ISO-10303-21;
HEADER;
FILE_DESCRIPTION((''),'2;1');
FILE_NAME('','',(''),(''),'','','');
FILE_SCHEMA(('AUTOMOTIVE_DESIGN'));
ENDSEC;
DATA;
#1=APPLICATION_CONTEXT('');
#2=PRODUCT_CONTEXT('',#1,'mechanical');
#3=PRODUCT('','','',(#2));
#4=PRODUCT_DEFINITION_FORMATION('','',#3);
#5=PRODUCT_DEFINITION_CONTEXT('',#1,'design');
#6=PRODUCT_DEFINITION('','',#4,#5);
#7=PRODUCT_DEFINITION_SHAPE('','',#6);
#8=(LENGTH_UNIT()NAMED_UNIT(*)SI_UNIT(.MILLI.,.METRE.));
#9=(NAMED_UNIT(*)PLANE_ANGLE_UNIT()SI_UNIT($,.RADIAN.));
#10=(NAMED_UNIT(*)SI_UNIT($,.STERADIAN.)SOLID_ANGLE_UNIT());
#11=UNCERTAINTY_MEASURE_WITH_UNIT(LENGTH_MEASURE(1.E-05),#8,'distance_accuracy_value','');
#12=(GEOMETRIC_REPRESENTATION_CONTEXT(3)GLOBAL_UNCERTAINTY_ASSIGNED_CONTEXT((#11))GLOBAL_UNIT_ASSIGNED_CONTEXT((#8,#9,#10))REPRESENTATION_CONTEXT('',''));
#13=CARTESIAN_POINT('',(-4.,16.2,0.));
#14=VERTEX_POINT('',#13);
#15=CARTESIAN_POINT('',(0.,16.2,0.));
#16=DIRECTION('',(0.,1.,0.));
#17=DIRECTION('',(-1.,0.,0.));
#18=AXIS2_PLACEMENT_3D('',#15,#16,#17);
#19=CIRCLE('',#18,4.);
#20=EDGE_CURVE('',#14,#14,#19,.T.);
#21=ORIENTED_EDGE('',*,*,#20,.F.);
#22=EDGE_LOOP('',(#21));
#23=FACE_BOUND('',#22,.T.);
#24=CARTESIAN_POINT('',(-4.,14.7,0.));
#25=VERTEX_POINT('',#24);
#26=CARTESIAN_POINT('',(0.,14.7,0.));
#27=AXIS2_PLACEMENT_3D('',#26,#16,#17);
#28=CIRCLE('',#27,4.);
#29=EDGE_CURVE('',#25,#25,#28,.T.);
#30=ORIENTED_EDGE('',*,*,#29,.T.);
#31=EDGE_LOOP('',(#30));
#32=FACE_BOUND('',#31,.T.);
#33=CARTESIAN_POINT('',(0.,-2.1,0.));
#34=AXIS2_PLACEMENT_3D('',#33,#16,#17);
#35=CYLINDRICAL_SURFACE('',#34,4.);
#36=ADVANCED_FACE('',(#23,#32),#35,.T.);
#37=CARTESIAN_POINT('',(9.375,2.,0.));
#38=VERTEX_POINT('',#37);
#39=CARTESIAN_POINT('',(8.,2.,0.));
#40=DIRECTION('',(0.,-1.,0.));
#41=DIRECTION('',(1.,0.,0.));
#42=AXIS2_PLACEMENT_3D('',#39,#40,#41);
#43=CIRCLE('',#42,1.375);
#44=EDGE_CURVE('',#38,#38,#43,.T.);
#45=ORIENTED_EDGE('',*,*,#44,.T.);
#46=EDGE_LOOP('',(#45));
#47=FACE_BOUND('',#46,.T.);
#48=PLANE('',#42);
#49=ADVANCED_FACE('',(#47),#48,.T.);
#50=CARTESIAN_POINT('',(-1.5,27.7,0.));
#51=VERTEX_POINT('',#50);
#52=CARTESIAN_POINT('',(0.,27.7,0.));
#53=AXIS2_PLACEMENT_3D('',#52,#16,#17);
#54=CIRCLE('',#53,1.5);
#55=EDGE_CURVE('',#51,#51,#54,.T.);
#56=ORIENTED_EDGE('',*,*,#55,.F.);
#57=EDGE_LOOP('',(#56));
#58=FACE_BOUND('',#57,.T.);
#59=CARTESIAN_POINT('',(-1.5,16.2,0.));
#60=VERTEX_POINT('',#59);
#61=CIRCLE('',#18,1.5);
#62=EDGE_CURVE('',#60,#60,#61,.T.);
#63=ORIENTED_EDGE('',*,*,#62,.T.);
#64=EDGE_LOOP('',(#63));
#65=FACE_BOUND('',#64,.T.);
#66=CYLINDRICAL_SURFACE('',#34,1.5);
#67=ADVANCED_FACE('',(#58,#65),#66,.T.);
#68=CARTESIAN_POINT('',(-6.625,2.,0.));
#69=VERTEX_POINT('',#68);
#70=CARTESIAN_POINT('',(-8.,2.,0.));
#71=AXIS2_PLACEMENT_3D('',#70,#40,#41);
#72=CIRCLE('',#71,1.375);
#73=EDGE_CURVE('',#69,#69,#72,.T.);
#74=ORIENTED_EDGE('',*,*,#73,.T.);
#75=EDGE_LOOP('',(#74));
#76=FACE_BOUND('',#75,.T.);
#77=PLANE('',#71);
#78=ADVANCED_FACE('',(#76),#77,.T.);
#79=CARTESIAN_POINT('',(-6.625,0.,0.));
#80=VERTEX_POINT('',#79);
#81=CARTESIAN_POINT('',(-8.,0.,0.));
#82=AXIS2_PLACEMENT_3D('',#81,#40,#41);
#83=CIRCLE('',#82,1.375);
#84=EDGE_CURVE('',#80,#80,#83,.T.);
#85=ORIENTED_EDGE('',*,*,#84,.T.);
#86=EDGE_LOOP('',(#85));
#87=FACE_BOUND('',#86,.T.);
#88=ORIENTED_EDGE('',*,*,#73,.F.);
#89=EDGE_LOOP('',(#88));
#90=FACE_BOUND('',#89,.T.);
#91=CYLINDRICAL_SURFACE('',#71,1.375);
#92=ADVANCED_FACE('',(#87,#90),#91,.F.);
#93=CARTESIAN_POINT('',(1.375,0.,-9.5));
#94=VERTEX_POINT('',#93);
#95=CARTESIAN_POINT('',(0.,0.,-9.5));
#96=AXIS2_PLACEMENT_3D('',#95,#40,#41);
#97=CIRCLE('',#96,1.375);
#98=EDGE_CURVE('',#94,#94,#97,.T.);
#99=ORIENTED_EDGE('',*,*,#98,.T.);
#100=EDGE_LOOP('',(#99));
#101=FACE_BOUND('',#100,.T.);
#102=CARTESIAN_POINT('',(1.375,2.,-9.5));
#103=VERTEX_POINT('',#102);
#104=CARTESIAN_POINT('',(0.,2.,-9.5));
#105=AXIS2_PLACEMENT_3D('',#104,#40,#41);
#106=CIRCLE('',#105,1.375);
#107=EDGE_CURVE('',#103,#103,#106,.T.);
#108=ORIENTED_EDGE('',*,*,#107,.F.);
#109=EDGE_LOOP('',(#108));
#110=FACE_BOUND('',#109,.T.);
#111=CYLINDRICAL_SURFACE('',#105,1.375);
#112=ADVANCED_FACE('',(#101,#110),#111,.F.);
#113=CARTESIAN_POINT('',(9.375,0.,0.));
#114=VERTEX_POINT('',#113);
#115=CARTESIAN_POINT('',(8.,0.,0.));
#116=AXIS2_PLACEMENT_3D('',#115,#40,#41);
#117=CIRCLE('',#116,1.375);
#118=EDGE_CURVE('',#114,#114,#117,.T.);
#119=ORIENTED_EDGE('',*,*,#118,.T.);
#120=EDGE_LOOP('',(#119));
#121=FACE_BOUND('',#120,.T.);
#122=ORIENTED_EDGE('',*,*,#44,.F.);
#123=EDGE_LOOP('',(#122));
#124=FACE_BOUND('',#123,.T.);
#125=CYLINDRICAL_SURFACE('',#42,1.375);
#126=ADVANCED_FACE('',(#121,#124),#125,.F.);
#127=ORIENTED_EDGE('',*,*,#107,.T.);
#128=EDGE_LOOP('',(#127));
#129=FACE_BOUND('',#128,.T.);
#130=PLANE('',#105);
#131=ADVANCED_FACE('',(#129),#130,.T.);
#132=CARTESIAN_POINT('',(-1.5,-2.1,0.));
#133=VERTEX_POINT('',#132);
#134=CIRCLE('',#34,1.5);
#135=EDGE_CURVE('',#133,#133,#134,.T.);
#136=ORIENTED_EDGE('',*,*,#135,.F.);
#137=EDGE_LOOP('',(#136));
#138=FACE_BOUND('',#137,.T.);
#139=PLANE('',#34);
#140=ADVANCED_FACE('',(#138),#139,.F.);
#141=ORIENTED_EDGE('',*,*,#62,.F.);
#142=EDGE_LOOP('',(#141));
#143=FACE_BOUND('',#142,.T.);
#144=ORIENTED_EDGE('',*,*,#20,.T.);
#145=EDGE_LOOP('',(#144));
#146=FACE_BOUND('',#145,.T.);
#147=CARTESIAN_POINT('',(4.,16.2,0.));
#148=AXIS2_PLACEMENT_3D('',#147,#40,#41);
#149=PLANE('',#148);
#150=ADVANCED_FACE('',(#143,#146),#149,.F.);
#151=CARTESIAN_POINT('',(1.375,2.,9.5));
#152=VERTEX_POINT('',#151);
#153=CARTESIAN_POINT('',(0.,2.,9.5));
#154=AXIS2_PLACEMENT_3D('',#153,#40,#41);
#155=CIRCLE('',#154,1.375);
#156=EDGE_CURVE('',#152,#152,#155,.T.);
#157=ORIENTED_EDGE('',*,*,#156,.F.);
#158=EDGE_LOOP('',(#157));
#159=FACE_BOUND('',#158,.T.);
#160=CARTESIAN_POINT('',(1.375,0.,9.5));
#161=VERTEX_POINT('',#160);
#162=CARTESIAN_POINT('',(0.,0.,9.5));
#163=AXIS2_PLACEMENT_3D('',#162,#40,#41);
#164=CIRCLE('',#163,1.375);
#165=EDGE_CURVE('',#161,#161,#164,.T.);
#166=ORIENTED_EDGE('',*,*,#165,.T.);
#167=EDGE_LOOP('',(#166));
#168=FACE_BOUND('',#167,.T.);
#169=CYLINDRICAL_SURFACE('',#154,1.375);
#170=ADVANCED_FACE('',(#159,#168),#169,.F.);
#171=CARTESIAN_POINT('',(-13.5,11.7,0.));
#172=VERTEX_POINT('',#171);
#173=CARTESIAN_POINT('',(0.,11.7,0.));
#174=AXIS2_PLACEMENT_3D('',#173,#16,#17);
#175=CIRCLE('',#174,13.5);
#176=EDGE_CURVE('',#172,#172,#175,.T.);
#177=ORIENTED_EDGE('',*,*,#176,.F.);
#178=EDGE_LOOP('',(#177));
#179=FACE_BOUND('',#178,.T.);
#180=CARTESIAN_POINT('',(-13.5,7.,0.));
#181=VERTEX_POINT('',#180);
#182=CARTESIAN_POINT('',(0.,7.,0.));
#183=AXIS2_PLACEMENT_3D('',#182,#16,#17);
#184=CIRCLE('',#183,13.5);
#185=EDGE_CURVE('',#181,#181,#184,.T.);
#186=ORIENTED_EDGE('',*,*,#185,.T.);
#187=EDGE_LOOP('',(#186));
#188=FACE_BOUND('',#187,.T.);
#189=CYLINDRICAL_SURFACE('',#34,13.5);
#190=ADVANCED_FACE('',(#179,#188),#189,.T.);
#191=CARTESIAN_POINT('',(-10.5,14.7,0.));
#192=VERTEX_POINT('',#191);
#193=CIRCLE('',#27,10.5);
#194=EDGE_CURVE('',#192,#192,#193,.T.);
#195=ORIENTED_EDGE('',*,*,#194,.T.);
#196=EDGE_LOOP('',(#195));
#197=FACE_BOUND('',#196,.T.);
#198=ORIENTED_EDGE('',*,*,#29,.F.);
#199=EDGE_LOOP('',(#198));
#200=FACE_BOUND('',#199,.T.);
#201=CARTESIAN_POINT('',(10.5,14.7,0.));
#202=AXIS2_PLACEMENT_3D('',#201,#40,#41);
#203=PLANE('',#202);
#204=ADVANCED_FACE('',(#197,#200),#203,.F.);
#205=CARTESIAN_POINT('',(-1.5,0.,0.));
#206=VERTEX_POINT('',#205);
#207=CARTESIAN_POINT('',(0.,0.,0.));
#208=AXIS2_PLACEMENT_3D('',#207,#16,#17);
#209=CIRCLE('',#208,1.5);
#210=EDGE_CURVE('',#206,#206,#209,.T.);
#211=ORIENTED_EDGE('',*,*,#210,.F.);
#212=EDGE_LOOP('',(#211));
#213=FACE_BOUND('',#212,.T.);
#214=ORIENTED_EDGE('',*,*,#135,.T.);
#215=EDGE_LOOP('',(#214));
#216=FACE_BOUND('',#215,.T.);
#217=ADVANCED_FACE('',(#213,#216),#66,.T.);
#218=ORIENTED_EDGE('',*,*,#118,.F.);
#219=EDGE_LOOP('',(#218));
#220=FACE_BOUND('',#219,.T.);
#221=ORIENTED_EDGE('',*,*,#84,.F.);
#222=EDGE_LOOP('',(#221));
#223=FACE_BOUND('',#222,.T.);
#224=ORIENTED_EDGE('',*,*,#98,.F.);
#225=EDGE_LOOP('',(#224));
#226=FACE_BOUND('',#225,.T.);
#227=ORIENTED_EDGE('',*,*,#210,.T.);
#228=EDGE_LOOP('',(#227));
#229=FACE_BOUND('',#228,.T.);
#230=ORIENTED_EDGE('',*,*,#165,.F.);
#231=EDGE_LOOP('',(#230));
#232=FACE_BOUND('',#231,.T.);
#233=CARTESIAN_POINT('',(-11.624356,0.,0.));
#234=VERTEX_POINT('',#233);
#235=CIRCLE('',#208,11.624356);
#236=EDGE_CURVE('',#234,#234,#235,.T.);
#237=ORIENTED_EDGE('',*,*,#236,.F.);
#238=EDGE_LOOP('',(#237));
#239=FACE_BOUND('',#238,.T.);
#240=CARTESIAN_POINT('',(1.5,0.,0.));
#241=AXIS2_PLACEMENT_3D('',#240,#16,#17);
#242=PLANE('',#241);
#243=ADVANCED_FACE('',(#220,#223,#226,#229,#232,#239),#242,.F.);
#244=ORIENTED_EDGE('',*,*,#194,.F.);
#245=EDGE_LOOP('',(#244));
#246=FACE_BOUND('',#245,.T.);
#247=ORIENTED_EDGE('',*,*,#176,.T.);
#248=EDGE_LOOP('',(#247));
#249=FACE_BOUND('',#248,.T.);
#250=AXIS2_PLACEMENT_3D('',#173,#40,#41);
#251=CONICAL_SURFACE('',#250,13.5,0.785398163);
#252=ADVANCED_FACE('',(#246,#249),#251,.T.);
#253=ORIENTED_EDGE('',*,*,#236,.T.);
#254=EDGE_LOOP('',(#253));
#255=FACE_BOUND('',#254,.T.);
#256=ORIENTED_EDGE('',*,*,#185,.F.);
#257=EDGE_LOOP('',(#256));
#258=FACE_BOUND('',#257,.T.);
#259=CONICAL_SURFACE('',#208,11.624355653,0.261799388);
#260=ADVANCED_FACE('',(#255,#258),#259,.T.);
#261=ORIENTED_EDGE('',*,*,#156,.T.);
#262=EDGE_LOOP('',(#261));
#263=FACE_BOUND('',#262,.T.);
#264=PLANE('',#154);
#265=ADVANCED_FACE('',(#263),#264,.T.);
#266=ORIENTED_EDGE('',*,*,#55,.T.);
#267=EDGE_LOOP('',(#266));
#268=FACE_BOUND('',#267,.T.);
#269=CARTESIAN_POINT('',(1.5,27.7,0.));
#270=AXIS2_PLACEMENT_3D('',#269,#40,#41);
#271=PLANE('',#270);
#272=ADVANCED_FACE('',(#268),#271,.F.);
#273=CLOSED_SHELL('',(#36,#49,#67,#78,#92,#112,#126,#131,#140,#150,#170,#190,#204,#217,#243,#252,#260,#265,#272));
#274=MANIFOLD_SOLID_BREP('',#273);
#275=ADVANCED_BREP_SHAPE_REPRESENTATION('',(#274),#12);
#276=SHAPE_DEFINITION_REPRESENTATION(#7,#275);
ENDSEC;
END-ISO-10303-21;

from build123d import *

# Parameters (mm, degrees)
SKETCH3_R          = 1.375
CUT_EXTRUDE1_DEPTH = 2


with BuildPart() as part:
    # Sketch2 → Revolve1 (revolve)
    with BuildSketch(Plane.XY, mode=Mode.PRIVATE) as revolve1_sk:
        Polygon((1.5, 0), (11.624355653, 0), (13.5, 7), (13.5, 11.7), (10.5, 14.7), (4, 14.7), (4, 16.2), (1.5, 16.2), (1.5, 27.7), (0, 27.7), (0, -2.1), (1.5, -2.1), align=None)
    revolve(revolve1_sk.sketch.rotate(Axis((0, -2.1, 0), (0, -1, 0)), 180), axis=Axis((0, -2.1, 0), (0, -1, 0)))

    # Sketch3 → Cut-Extrude1 (cut)
    with BuildSketch(Plane.XZ):
        with Locations((0, 9.5)):
            Circle(SKETCH3_R)
        with Locations((0, -9.5)):
            Circle(SKETCH3_R)
        with Locations((-8, 0)):
            Circle(SKETCH3_R)
        with Locations((8, 0)):
            Circle(SKETCH3_R)
    extrude(amount=-CUT_EXTRUDE1_DEPTH, mode=Mode.SUBTRACT)


solid = part.part
